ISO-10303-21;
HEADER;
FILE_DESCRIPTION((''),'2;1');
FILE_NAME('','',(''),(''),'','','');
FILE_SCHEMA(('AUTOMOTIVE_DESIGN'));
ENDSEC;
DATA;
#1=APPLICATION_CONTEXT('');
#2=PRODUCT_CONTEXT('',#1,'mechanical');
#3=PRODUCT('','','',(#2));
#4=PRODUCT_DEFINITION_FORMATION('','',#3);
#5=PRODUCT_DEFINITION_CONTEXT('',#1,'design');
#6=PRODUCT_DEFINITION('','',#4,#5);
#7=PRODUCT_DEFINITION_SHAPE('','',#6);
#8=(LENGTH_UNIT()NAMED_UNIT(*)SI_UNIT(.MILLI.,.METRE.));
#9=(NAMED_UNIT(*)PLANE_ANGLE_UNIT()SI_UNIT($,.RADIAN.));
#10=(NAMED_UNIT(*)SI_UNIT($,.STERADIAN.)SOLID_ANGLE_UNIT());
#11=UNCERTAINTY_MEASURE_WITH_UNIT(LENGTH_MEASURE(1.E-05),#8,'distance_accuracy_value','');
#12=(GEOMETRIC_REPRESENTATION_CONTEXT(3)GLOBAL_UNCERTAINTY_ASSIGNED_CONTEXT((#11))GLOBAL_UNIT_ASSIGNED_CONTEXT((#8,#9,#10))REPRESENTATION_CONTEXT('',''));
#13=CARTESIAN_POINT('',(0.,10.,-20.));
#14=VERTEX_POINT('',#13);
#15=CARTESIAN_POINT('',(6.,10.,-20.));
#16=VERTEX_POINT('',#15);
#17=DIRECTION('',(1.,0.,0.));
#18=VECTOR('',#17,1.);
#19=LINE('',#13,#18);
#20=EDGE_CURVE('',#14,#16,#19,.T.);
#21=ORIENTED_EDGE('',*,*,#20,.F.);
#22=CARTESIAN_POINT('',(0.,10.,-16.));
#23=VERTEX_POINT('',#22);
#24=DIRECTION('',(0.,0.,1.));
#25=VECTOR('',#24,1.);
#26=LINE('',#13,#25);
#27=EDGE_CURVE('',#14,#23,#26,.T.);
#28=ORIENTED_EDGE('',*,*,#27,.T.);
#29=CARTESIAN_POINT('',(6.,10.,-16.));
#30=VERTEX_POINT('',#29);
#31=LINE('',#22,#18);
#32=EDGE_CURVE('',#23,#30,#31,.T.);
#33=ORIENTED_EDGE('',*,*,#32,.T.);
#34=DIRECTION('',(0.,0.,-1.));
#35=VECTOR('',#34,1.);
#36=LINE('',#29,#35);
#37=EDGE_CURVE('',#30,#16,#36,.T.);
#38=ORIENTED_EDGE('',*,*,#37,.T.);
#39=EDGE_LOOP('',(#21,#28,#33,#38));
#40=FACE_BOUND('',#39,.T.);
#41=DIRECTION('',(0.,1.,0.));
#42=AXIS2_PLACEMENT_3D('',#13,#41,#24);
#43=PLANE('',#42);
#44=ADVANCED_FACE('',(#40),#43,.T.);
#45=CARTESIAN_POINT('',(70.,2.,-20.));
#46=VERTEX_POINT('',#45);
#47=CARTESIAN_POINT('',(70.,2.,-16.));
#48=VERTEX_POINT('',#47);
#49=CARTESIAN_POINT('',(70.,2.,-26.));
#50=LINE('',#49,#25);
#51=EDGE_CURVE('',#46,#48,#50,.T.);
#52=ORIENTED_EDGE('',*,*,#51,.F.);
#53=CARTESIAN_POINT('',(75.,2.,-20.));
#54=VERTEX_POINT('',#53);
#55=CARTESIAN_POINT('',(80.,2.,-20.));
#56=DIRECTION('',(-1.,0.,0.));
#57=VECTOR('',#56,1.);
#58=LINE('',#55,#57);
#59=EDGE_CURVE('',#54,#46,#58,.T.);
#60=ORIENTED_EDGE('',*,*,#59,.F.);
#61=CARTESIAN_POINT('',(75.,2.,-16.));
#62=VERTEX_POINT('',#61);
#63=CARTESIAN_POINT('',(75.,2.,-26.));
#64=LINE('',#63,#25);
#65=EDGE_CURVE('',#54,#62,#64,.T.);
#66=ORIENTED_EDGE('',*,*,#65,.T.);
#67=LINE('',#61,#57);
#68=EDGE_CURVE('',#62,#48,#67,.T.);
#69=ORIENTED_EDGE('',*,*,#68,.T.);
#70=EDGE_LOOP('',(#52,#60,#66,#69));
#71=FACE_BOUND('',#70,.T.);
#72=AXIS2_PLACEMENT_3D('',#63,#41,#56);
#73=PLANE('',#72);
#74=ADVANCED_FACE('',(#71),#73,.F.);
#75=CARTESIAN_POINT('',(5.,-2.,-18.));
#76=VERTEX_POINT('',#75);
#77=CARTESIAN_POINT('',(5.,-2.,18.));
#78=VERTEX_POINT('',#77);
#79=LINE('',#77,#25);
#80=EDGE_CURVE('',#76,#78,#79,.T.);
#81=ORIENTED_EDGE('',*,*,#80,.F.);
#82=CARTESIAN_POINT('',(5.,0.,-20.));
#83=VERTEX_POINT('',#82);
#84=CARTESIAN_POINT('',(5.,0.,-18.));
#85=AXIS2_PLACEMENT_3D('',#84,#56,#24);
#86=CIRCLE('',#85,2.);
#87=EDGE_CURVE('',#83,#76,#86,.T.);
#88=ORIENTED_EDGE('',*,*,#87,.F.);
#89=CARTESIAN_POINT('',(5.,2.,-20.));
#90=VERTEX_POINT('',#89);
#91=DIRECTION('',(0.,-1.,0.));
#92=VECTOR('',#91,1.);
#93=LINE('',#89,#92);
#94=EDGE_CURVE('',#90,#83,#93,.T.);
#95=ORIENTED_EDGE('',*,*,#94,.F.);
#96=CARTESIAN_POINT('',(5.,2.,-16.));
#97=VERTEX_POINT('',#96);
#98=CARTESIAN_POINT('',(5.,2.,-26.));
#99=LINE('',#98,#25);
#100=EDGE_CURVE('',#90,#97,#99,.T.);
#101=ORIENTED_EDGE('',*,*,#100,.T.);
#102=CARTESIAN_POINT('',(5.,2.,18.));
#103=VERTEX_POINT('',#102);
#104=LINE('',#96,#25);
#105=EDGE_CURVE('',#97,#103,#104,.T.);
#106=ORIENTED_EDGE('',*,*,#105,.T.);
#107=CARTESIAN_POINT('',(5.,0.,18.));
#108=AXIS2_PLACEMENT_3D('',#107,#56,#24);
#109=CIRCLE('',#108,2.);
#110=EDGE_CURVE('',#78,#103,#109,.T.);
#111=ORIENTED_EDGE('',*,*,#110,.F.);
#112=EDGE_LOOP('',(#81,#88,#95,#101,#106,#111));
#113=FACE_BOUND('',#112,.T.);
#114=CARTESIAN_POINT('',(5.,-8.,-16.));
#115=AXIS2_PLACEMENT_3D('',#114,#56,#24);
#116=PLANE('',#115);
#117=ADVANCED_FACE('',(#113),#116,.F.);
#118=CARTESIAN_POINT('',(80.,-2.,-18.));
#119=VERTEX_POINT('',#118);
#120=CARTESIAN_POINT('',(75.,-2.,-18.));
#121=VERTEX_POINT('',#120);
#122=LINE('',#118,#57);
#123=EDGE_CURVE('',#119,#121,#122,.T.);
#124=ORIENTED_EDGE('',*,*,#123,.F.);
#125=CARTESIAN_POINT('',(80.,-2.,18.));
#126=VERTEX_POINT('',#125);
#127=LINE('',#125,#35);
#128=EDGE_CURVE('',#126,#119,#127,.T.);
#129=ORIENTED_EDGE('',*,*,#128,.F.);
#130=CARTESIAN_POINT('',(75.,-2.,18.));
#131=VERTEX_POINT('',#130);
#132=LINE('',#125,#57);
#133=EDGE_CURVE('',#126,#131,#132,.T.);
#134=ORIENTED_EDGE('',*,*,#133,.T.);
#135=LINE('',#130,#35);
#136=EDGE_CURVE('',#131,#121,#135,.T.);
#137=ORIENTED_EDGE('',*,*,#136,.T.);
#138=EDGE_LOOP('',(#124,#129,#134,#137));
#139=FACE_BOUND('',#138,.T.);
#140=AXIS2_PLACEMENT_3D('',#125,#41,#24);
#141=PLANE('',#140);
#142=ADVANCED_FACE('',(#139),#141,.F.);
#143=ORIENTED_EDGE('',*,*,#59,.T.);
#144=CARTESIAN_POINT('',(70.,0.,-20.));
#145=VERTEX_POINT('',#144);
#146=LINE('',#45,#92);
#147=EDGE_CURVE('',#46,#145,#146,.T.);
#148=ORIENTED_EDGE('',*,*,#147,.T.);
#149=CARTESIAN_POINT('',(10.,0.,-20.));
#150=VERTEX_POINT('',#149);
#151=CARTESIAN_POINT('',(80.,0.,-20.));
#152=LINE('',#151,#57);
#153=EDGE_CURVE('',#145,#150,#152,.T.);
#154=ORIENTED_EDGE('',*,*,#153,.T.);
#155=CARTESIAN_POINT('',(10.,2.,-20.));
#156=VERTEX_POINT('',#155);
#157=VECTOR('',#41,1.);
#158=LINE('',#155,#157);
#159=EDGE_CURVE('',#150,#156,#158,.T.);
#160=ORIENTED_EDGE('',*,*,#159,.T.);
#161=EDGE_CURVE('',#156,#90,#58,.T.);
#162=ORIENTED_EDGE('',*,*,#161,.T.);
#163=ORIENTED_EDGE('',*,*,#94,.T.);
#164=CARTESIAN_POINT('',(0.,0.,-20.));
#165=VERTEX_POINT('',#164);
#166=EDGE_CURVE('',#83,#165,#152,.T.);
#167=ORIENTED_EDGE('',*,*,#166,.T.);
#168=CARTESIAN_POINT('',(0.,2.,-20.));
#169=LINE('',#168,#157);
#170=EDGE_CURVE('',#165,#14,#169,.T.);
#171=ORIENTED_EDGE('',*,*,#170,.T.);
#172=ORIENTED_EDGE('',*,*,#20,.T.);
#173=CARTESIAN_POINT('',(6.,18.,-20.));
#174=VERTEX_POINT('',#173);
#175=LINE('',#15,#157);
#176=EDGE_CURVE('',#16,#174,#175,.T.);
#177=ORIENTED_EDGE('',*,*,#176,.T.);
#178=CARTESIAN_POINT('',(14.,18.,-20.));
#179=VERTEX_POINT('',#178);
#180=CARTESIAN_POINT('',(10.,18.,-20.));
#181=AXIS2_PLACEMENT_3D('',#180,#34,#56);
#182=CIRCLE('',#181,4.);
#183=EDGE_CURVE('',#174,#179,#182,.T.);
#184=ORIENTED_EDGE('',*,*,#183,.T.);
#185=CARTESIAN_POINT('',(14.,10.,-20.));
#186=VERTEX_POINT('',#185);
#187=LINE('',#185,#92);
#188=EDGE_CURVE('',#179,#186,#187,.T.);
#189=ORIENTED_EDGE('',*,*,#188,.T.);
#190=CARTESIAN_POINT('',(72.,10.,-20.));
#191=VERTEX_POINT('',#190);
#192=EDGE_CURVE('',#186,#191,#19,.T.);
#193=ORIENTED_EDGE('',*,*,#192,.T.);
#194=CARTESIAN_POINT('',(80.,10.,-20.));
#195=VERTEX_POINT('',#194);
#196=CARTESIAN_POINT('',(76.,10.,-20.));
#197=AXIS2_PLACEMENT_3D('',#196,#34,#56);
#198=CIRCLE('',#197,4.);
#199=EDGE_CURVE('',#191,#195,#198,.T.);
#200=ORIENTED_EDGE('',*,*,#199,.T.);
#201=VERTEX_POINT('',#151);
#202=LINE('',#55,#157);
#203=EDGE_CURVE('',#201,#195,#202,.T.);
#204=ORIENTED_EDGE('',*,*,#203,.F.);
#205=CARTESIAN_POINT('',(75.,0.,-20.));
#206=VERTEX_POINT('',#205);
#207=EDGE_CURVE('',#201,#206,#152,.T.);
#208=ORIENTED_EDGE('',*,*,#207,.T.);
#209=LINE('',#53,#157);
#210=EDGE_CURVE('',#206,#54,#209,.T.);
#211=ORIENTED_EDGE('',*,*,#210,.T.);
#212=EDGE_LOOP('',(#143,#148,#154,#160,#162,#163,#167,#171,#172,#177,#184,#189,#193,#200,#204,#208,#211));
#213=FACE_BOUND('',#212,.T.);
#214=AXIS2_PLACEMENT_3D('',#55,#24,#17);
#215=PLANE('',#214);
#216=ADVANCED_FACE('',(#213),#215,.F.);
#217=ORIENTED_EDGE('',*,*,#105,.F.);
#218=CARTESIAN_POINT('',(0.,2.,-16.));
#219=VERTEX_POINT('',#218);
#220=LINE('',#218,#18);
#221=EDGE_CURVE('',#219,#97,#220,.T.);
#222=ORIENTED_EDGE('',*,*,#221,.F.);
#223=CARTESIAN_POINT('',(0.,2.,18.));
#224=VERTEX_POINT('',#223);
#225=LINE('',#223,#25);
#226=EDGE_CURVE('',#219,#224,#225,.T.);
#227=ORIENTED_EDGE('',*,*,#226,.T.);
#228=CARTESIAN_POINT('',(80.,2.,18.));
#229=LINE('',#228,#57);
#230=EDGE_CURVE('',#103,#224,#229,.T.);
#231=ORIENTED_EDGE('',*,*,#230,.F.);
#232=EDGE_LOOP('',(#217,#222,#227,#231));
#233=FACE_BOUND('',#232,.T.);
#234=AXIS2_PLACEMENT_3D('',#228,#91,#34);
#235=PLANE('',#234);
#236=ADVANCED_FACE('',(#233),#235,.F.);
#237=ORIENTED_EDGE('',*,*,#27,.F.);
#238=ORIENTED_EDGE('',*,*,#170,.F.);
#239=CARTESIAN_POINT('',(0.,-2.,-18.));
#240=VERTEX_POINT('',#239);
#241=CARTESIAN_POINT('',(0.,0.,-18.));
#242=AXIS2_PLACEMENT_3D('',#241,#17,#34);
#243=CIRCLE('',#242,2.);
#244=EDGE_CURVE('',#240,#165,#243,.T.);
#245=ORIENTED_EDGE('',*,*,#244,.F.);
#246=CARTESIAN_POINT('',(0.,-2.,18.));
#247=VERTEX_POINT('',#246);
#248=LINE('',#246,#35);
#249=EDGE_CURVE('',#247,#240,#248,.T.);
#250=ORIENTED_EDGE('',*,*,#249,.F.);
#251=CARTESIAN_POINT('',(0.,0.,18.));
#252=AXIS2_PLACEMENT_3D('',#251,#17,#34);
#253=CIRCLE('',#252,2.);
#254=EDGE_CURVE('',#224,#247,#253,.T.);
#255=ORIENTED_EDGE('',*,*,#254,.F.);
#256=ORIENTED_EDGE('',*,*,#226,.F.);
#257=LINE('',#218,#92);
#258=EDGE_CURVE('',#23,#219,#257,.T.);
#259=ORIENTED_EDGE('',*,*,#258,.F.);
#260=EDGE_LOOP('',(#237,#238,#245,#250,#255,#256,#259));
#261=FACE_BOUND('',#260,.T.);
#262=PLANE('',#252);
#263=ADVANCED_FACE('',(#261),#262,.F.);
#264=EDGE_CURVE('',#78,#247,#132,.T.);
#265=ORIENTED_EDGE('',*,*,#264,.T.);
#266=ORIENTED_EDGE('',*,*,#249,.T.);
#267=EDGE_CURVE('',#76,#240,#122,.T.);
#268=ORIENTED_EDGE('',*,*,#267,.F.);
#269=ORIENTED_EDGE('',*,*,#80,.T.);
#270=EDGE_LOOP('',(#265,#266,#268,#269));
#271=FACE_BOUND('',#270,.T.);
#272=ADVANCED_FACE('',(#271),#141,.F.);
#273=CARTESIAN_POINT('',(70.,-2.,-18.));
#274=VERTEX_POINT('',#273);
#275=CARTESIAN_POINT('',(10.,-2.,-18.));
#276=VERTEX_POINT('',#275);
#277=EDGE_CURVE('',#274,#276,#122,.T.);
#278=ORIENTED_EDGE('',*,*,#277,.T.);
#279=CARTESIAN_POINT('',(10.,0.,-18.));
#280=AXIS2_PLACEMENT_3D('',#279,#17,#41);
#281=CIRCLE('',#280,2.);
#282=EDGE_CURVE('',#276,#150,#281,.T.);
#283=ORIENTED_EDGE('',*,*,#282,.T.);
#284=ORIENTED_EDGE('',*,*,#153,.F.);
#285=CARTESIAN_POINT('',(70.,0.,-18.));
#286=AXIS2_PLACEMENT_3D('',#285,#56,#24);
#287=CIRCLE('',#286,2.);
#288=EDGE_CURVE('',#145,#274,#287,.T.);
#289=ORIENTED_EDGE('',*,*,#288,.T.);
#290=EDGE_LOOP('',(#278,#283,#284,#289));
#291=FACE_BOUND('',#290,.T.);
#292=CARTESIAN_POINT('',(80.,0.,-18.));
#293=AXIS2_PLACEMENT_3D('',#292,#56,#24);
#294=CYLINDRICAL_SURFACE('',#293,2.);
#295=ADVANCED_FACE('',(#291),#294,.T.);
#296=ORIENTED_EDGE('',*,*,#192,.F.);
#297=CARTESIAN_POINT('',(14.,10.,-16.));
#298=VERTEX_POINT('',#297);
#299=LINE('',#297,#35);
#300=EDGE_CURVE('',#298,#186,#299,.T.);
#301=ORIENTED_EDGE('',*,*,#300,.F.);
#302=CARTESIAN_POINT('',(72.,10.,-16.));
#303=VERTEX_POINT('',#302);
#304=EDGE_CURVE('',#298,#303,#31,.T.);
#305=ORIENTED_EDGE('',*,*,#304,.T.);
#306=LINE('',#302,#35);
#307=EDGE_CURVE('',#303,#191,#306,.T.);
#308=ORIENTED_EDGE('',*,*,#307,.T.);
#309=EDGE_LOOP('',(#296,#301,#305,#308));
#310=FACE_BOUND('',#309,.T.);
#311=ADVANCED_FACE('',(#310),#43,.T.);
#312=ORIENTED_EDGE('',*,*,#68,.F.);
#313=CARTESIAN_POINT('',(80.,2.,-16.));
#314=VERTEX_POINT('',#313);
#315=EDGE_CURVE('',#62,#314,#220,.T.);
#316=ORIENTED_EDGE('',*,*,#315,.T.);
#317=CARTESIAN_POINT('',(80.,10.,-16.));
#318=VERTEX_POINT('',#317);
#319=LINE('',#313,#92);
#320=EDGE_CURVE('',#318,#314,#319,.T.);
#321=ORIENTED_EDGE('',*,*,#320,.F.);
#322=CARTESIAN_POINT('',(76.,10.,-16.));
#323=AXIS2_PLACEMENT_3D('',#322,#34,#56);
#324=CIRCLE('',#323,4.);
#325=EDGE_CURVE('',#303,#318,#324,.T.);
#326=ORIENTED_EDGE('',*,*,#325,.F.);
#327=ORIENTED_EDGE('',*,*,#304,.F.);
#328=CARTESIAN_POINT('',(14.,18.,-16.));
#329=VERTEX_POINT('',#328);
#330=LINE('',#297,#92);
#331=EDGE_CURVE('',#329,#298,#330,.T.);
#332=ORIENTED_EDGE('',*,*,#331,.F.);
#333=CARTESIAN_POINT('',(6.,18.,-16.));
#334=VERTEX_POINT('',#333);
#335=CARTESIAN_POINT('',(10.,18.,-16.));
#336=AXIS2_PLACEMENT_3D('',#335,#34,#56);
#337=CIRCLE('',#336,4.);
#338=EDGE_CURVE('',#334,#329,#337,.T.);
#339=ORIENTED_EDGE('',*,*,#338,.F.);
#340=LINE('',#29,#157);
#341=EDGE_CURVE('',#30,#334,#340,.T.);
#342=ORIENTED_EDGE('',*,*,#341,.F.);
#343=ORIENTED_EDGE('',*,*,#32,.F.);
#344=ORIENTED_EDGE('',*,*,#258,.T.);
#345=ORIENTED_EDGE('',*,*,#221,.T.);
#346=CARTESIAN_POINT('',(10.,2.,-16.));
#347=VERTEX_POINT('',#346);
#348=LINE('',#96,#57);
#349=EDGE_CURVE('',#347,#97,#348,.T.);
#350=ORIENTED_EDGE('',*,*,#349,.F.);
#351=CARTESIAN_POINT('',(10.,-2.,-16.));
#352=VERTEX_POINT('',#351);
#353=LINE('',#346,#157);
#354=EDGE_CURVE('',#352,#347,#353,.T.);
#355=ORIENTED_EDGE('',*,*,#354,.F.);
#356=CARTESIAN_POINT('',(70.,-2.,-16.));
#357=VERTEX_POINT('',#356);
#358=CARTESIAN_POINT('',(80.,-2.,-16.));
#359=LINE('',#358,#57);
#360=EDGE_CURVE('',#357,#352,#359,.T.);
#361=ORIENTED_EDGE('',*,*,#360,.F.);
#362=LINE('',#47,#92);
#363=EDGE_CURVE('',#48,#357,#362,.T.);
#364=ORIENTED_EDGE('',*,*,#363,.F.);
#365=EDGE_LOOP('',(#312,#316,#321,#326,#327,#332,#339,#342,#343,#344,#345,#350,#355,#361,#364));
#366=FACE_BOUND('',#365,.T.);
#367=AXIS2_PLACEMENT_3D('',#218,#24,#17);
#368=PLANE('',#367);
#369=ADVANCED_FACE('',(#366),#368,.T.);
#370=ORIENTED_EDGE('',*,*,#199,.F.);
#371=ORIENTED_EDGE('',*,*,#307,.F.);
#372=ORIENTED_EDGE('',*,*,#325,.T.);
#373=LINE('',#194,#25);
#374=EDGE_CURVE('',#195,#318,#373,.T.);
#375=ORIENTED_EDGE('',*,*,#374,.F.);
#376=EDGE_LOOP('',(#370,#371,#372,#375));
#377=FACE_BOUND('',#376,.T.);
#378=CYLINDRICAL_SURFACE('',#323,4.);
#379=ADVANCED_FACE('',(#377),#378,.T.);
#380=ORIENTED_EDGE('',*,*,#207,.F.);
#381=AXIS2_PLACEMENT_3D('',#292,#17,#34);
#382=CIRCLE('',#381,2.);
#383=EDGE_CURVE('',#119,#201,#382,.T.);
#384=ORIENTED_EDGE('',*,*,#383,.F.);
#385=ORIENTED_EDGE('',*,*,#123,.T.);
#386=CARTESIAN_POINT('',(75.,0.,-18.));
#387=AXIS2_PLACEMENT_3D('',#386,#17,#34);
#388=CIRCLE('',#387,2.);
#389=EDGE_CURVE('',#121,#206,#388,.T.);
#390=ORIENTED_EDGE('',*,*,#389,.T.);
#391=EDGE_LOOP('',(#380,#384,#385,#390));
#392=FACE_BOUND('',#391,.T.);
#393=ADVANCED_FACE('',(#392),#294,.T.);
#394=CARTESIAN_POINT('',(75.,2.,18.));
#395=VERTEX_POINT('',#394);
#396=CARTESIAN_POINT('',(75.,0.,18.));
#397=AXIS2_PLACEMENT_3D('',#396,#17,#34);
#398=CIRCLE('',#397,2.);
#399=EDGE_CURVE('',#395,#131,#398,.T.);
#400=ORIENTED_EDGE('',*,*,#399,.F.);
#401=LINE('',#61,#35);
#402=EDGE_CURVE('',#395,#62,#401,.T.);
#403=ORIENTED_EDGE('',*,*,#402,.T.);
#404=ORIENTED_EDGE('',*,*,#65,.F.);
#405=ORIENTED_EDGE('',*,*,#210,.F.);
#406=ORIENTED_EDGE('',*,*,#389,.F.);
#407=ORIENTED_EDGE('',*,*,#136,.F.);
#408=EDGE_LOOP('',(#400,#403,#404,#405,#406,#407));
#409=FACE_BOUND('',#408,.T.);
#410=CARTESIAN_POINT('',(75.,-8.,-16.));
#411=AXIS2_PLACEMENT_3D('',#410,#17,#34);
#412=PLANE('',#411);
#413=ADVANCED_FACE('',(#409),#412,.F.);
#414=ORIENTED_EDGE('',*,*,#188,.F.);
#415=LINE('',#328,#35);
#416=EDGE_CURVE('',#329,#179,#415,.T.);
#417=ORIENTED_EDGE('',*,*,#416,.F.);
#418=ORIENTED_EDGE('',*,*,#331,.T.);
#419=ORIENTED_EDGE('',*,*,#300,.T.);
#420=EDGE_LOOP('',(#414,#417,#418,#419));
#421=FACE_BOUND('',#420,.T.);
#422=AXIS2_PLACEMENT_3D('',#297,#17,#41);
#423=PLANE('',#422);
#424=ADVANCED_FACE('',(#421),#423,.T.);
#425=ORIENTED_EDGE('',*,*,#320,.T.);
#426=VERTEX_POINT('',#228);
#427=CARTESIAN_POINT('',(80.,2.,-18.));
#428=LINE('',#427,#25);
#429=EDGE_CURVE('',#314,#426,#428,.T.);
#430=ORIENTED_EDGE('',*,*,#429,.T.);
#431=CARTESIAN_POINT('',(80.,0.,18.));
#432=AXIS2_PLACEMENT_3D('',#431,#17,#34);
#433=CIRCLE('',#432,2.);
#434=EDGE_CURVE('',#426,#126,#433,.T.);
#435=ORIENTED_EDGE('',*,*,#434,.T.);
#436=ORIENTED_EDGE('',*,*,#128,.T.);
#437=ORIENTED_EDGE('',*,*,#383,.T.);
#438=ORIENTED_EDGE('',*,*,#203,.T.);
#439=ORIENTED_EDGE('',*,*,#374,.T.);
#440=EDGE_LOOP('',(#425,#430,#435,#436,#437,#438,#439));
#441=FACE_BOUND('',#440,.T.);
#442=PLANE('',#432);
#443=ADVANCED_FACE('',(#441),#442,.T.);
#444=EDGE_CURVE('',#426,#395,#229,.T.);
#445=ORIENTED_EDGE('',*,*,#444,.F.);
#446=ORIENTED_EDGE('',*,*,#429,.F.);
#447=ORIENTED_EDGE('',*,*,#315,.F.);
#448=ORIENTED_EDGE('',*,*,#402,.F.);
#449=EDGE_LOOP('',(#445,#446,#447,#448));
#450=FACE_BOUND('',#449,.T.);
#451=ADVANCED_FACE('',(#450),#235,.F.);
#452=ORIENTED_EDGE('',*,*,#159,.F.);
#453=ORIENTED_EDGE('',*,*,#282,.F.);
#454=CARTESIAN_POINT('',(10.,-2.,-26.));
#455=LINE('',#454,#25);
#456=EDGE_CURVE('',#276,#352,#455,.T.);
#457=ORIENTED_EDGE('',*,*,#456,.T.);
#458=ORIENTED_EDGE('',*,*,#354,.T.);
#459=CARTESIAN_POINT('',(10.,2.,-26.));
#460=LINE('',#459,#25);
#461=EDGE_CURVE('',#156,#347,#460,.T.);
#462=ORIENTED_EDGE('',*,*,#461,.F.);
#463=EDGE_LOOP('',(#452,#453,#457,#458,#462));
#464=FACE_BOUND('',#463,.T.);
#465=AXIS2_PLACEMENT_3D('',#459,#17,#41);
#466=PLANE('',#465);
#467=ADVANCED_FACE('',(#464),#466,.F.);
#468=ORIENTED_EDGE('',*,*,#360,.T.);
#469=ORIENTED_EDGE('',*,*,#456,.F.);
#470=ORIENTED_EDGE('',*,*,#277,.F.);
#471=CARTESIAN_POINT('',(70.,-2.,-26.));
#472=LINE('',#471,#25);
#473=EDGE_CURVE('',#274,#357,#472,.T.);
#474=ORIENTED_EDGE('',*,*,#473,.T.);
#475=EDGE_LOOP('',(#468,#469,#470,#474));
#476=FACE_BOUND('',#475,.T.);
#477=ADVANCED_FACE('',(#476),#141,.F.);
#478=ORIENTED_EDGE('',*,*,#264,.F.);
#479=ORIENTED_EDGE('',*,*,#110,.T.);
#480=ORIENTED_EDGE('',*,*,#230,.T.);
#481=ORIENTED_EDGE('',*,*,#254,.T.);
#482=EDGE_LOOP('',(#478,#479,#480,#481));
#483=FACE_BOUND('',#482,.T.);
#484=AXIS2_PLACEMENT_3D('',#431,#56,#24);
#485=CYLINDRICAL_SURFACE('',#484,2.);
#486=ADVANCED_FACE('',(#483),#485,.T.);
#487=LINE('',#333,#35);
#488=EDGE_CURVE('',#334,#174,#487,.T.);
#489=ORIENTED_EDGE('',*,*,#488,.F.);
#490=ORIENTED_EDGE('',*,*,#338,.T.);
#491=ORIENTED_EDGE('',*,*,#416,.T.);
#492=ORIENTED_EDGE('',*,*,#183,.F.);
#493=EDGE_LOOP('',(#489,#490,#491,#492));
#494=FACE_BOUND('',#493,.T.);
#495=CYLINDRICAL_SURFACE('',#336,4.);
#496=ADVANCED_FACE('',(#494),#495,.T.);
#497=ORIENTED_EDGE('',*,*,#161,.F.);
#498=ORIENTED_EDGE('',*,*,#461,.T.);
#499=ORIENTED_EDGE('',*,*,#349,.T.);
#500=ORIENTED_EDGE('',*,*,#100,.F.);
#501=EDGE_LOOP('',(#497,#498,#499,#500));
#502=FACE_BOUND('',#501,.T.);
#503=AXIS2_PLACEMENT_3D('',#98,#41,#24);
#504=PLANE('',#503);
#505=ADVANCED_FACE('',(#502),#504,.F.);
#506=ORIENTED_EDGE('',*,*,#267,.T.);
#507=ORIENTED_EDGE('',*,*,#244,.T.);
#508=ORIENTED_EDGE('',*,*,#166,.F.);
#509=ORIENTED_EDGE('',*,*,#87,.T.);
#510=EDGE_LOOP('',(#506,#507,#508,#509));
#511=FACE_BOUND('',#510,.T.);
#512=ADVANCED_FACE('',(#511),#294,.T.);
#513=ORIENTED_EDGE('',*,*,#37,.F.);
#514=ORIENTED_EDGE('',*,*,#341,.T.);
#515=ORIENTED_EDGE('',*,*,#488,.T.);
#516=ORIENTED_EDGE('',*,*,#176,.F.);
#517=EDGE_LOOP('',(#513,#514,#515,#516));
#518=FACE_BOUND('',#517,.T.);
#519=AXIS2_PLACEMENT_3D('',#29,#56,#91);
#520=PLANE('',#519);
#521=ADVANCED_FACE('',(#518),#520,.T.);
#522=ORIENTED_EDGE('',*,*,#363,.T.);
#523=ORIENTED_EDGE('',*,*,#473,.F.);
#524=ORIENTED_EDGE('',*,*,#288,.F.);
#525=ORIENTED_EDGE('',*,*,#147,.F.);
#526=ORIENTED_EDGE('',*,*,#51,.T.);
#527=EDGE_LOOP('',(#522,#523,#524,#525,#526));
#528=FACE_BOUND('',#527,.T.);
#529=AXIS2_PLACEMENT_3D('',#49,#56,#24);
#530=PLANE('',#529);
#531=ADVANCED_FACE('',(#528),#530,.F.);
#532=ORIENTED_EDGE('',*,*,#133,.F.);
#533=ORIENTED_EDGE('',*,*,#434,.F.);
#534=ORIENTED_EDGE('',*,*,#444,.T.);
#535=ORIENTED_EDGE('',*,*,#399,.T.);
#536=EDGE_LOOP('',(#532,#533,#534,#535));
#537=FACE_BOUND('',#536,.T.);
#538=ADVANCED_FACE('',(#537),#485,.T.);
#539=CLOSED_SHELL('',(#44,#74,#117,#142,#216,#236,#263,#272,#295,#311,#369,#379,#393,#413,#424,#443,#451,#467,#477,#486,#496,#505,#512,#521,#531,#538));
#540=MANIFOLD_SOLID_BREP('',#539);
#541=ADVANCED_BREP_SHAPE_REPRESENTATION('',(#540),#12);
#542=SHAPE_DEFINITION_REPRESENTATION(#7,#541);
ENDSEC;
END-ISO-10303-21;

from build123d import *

# Parameters (mm, degrees)
EXTRUDE_1_DEPTH     = 80
SKETCH_10_W         = 4
SKETCH_10_H         = 8
EXTRUDE_8_DEPTH     = 80
EXTRUDE_9_DEPTH     = 4
SKETCH_12_W         = 70
SKETCH_12_H         = 40.815900945
CUT_EXTRUDE_1_DEPTH = 10
SKETCH_13_W         = 5
SKETCH_13_H         = 4
CUT_EXTRUDE_2_DEPTH = 10


with BuildPart() as part:
    # 草图1 → 凸台-拉伸1 (new body)
    with BuildSketch(Plane(origin=(0, 0, 0), x_dir=(0, 0, -1), z_dir=(1, 0, 0))):
        with BuildLine():
            Line((-18, 2), (18, 2))
            Line((18, 2), (20, 2))
            Line((20, 2), (20, 0))
            ThreePointArc((20, 0), (19.414213562, -1.414213562), (18, -2))
            Line((18, -2), (-18, -2))
            ThreePointArc((-18, -2), (-20, 0), (-18, 2))
        make_face()
    extrude(amount=EXTRUDE_1_DEPTH)

    # 草图10 → 凸台-拉伸8 (add)
    with BuildSketch(Plane(origin=(80, 0, 0), x_dir=(0, 0, -1), z_dir=(1, 0, 0))):
        with Locations((18, 6)):
            Rectangle(SKETCH_10_W, SKETCH_10_H)
    extrude(amount=-EXTRUDE_8_DEPTH)

    # 草图11 → 凸台-拉伸9 (add)
    with BuildSketch(Plane(origin=(0, 0, -20), x_dir=(-1, 0, 0), z_dir=(0, 0, -1))):
        with BuildLine():
            Line((-6, 10), (-14, 10))
            Line((-14, 10), (-14, 18))
            ThreePointArc((-14, 18), (-10, 22), (-6, 18))
            Line((-6, 18), (-6, 10))
        make_face()
        with BuildLine():
            Line((-72, 6), (-80, 6))
            Line((-80, 6), (-80, 10))
            ThreePointArc((-80, 10), (-76, 14), (-72, 10))
            Line((-72, 10), (-72, 6))
        make_face()
    extrude(amount=-EXTRUDE_9_DEPTH)

    # 草图12 → 切除-拉伸1 (cut)
    with BuildSketch(Plane(origin=(0, 2, 0), x_dir=(1, 0, 0), z_dir=(0, 1, 0))):
        with Locations((40, -4.407950473)):
            Rectangle(SKETCH_12_W, SKETCH_12_H)
    extrude(amount=-CUT_EXTRUDE_1_DEPTH, mode=Mode.SUBTRACT)

    # 草图13 → 切除-拉伸2 (cut)
    with BuildSketch(Plane.XY.offset(-16)):
        with Locations((7.5, 0)):
            Rectangle(SKETCH_13_W, SKETCH_13_H)
        with Locations((72.5, 0)):
            Rectangle(SKETCH_13_W, SKETCH_13_H)
    extrude(amount=-CUT_EXTRUDE_2_DEPTH, mode=Mode.SUBTRACT)


solid = part.part
